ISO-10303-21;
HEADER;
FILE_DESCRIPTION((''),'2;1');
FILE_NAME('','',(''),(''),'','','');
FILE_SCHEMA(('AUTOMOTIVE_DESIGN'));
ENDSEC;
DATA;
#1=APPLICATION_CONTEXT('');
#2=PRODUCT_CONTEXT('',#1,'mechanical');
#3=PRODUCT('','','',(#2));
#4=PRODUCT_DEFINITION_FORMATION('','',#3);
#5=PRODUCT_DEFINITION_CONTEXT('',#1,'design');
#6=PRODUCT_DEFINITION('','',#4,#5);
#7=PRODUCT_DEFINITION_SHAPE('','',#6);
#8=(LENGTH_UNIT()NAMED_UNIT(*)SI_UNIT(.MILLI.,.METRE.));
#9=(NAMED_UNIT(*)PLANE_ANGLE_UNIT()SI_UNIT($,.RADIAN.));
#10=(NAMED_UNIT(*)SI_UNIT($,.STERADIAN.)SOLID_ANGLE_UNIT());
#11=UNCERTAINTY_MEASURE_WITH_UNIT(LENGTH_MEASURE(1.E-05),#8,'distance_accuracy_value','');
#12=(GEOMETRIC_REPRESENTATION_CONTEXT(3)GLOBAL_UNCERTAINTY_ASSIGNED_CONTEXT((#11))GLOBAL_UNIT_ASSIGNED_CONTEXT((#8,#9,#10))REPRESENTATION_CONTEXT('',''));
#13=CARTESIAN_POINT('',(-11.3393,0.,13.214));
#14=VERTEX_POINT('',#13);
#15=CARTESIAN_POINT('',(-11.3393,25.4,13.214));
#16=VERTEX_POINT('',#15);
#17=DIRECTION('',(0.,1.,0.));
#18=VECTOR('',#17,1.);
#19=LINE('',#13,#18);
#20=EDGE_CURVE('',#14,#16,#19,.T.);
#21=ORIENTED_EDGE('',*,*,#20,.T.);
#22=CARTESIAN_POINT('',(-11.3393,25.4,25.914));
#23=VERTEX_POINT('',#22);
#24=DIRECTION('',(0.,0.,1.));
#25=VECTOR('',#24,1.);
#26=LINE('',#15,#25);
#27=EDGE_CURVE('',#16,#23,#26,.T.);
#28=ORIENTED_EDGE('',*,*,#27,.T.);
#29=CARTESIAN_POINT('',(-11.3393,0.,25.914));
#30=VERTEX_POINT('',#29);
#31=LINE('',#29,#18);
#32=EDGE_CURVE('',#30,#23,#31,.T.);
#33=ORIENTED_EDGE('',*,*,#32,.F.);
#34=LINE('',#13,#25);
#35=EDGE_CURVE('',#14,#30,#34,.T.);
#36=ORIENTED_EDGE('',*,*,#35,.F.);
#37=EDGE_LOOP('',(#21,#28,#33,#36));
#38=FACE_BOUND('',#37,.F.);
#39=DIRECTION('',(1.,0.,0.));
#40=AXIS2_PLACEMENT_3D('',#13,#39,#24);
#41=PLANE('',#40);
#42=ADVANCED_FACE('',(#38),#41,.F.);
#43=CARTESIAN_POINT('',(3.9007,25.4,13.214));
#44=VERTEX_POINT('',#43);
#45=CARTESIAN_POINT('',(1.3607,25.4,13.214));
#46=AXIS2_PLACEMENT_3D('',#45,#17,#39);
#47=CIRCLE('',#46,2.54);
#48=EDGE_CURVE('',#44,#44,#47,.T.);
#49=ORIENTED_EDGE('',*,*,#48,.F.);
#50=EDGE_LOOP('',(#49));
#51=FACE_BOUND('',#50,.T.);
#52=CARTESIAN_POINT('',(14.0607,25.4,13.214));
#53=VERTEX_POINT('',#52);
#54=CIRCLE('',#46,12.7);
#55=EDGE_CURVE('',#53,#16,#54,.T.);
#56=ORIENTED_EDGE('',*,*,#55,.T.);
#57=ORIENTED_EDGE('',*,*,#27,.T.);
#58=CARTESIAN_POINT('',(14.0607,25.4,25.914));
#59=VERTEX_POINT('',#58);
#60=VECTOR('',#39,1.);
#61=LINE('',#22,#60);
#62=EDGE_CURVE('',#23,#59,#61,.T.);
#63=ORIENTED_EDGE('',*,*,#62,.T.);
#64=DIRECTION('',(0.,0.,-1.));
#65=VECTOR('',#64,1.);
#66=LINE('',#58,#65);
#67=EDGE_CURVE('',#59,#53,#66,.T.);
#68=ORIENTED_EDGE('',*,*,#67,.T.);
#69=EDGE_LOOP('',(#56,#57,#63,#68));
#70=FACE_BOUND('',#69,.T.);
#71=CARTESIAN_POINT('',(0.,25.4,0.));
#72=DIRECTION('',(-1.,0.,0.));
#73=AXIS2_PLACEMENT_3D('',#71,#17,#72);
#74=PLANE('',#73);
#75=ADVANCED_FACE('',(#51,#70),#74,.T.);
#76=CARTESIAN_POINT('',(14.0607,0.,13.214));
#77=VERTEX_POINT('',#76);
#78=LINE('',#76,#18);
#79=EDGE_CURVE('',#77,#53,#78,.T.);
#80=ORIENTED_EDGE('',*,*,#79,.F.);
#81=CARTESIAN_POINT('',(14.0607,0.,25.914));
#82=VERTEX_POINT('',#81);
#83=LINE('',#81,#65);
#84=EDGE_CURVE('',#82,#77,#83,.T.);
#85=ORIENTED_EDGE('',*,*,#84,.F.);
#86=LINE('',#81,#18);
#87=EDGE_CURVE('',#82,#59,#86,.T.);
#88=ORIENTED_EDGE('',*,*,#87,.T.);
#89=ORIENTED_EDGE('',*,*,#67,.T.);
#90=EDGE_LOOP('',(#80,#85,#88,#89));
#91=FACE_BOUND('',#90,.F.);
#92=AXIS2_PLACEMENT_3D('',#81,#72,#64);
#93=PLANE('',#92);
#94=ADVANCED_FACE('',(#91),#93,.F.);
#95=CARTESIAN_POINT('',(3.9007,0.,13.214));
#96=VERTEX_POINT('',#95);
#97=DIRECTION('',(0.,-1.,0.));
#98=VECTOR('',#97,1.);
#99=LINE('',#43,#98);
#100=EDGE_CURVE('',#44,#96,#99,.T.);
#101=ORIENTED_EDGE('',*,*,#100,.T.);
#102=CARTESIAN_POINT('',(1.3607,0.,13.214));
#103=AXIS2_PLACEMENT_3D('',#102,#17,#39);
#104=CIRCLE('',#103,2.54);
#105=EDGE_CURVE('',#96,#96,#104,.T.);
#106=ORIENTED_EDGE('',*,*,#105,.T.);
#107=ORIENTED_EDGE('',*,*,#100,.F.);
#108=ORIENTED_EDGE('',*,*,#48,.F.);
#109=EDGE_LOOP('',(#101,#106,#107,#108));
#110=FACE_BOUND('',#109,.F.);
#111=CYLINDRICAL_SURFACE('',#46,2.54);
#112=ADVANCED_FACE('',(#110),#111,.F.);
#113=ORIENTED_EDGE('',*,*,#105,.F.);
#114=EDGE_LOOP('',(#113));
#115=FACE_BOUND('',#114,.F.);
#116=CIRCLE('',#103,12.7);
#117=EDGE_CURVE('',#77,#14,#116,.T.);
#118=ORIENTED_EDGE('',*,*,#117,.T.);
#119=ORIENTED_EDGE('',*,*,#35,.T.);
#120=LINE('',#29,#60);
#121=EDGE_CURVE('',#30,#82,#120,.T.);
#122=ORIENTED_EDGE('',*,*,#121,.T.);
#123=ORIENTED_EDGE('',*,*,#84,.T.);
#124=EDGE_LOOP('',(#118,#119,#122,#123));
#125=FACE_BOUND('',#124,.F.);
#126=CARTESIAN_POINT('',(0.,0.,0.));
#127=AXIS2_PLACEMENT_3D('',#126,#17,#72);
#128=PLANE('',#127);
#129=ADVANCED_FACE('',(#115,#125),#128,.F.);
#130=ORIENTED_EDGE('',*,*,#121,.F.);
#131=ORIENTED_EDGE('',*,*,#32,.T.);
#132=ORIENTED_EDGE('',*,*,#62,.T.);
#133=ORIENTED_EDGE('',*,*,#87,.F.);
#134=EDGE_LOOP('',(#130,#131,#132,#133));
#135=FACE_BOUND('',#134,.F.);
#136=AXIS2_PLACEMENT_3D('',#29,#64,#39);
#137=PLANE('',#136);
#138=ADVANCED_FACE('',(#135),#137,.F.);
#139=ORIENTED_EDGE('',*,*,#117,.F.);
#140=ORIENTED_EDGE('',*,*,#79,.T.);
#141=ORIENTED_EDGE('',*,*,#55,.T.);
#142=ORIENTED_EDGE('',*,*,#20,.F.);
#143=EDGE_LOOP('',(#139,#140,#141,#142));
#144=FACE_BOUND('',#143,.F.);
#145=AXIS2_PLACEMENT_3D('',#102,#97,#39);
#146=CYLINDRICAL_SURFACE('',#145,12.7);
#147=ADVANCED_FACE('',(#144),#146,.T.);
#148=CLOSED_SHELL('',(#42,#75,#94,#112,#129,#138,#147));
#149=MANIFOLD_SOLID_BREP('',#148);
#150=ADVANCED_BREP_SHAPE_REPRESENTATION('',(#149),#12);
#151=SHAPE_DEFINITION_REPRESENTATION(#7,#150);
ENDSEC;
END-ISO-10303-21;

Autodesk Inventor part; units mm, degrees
ref_plane "YZ Plane" through (0, 0, 0) normal (1, 0, 0) x (0, 1, 0)
ref_plane "XZ Plane" through (0, 0, 0) normal (0, 1, 0) x (-1, 0, 0)
ref_plane "XY Plane" through (0, 0, 0) normal (0, 0, 1) x (1, 0, 0)
sketch "Sketch1" plane through (0, 0, 0) normal (0, 1, 0) x (-1, 0, 0)
  line L0 (11.3393, 25.914) -> (-14.0607, 25.914)
  line L1 (-14.0607, 25.914) -> (-14.0607, 13.214)
  line L2 (11.3393, 13.214) -> (11.3393, 25.914)
  arc A0 (-14.0607, 13.214) -> (11.3393, 13.214) centre (-1.3607, 13.214) ccw
  point P0 (0, 0)
  dimension "d1" = 25.4
  dimension "d2" = 25.4
  dimension "d3" = 12.7
  dimension "d4" = 12.7
extrude "Extrusion1" add sketch "Sketch1" along normal blind 25.4
sketch "Sketch2" plane through (0, 25.4, 0) normal (0, 1, 0) x (1, 0, 0)
  arc A0 (14.0607, -13.214) -> (-11.3393, -13.214) centre (1.3607, -13.214) ccw projected
  circle A1 centre (1.3607, -13.214) radius 2.54
  point P0 (0, 0)
  dimension "d7" = 5.08
extrude "Extrusion2" cut sketch "Sketch2" against normal blind 25.4
properties part number "Hinge"
